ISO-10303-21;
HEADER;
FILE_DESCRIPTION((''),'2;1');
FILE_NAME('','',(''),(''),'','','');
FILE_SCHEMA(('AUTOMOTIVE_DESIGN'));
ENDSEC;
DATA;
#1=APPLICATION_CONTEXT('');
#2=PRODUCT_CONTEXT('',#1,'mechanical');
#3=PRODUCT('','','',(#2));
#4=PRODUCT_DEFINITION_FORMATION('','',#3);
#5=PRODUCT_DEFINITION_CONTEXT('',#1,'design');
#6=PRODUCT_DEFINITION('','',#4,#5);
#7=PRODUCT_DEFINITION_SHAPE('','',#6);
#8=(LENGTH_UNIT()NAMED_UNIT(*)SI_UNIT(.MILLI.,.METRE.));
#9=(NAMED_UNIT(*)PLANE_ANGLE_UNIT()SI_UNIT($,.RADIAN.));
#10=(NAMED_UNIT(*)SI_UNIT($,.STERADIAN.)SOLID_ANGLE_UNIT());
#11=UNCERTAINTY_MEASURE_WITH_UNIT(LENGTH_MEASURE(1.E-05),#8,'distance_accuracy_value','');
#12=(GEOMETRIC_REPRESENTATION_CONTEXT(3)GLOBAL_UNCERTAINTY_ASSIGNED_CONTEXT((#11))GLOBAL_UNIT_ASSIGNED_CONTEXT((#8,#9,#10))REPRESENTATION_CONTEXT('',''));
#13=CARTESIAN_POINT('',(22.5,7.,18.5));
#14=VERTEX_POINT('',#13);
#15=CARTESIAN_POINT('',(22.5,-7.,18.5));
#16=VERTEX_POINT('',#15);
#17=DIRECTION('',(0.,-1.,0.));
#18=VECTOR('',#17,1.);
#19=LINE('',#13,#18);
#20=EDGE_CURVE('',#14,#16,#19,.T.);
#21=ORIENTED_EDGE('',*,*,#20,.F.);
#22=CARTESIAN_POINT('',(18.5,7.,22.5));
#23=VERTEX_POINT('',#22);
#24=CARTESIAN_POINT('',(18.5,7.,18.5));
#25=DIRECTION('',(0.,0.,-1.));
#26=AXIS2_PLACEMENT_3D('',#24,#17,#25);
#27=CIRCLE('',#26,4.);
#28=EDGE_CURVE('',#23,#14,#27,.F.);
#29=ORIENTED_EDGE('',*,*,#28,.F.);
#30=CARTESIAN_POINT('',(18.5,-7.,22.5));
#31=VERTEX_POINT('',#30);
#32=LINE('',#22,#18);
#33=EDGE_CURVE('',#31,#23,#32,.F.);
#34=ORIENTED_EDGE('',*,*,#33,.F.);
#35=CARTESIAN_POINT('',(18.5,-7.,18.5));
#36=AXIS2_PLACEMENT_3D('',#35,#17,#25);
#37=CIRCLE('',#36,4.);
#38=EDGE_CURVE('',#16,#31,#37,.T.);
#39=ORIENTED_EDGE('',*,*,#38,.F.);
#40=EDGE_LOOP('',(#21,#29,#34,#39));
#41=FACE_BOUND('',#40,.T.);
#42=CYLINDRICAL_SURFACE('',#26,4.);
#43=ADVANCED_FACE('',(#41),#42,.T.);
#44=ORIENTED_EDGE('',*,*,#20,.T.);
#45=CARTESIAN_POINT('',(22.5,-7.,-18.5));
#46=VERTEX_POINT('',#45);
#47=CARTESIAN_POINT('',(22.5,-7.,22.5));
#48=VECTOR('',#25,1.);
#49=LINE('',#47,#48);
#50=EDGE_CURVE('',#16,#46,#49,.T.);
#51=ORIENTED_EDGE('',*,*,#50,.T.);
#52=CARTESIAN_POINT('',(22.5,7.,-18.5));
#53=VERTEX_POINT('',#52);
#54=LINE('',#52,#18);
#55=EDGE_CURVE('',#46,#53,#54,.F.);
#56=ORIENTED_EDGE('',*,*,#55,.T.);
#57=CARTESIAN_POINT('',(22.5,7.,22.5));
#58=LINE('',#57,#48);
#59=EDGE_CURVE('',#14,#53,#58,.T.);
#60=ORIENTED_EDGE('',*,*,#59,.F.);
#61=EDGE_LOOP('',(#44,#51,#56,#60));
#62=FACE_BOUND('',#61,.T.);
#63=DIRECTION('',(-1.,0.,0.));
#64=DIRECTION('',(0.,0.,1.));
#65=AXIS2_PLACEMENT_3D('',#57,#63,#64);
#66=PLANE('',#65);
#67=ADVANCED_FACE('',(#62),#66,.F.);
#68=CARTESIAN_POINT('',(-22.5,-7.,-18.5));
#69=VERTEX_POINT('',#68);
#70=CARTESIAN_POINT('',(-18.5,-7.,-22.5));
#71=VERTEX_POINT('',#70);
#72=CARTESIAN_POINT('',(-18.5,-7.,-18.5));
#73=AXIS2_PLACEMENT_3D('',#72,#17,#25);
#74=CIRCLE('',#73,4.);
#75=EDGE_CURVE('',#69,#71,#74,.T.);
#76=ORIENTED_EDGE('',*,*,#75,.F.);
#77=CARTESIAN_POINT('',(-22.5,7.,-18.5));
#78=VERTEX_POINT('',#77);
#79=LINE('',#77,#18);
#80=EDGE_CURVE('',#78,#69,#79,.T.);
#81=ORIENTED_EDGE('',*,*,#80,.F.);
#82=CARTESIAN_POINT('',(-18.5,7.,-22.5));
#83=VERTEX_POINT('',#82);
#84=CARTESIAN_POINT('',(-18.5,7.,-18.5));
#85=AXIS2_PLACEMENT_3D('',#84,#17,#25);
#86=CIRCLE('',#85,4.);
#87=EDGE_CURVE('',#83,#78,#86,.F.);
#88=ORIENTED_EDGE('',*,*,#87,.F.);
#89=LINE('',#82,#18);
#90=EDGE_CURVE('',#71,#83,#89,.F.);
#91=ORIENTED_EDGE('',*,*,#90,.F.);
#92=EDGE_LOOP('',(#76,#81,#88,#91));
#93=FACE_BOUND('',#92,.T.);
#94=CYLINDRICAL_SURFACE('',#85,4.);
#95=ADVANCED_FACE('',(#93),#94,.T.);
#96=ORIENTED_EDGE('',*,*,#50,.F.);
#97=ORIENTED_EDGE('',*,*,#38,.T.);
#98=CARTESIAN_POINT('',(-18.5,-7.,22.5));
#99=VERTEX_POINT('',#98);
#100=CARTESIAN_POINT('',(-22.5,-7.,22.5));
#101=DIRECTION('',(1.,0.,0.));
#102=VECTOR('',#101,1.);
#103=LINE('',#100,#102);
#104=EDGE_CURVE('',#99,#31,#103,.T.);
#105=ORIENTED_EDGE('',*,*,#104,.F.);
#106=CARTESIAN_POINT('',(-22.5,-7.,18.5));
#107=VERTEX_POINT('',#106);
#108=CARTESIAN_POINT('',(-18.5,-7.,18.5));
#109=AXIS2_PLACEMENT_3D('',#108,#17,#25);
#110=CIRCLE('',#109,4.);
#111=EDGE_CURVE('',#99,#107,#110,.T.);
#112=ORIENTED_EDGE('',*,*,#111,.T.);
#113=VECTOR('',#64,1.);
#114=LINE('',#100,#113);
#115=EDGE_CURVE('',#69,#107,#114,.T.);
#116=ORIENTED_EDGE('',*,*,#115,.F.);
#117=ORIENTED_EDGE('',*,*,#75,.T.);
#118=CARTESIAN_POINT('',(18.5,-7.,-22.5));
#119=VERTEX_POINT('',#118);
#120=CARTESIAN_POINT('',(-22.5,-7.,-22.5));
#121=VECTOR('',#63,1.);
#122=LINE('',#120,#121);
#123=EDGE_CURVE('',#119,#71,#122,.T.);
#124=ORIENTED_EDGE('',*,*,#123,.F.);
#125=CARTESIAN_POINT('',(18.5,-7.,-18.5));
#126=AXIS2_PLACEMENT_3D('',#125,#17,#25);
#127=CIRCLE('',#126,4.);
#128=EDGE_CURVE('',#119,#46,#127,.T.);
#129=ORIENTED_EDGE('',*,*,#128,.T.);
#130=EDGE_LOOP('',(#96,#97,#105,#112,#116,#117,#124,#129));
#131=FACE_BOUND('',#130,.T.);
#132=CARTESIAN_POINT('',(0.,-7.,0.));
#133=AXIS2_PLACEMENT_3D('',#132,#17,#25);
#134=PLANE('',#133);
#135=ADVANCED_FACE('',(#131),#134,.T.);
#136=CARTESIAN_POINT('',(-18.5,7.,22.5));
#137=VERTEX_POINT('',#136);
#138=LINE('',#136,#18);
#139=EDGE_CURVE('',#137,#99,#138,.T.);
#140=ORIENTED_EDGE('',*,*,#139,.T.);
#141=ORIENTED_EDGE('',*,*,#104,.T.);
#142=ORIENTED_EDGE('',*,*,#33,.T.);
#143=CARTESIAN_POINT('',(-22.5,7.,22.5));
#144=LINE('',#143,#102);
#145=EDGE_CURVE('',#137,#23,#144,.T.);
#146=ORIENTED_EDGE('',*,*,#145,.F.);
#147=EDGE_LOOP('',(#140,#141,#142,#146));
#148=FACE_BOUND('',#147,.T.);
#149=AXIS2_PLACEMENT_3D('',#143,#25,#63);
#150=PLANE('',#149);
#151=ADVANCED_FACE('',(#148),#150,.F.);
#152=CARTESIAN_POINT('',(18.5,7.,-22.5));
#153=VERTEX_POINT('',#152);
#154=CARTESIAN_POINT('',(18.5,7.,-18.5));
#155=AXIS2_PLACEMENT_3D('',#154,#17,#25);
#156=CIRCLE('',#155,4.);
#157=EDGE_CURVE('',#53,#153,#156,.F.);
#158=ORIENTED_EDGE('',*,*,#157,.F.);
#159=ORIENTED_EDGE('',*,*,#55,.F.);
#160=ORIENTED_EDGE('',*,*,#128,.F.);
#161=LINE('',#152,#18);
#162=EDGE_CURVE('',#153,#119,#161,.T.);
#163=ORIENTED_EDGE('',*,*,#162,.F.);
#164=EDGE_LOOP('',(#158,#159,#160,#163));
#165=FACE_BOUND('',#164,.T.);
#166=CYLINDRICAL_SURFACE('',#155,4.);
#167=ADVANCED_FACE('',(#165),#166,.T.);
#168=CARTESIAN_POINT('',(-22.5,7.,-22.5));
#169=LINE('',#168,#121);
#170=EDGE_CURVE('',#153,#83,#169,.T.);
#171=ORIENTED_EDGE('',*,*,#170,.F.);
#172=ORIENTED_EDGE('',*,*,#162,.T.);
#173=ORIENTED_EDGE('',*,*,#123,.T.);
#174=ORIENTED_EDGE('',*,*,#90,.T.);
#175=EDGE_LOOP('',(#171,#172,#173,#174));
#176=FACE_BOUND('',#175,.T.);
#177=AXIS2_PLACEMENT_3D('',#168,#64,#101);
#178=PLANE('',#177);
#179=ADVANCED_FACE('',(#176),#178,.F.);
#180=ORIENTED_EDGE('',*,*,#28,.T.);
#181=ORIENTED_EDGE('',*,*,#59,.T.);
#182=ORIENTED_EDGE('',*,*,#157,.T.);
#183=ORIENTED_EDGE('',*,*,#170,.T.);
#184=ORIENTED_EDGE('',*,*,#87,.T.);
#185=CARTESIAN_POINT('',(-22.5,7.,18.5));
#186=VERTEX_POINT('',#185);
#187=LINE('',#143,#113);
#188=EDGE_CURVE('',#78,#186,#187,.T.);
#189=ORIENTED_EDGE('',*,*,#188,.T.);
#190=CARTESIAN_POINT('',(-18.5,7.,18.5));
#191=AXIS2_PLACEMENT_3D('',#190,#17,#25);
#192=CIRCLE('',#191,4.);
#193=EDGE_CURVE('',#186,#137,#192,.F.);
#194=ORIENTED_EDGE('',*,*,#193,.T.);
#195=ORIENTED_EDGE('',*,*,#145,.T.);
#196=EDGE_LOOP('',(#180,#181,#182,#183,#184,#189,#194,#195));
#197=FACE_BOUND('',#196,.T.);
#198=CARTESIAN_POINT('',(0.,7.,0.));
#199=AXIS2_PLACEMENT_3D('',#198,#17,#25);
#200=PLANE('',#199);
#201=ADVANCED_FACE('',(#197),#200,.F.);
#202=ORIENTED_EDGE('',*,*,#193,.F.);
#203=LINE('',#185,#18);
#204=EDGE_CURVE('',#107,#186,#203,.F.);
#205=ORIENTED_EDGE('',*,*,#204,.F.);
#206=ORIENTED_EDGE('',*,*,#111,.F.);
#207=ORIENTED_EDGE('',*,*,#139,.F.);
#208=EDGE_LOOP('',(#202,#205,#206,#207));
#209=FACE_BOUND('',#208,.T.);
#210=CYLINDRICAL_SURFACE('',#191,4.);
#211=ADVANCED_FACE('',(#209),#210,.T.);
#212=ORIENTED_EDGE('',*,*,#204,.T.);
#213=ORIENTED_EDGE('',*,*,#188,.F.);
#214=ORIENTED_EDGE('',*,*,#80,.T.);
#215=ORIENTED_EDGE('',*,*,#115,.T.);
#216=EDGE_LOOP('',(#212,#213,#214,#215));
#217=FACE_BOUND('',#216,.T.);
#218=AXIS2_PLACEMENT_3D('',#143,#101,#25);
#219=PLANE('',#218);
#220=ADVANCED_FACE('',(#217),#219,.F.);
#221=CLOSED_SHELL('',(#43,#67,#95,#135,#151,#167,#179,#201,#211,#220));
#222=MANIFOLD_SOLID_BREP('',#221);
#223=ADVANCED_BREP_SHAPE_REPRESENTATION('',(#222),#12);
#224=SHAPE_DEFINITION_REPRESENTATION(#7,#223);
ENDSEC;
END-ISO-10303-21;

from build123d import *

# Parameters (mm, degrees)
SKETCH1_W           = 45
SKETCH1_H           = 45
BOSS_EXTRUDE1_DEPTH = 7
FILLET1_R           = 4


with BuildPart() as part:
    # Sketch1 → Boss-Extrude1 (new, symmetric)
    with BuildSketch(Plane(origin=(0, 0, 0), x_dir=(1, 0, 0), z_dir=(0, 1, 0))):
        Rectangle(SKETCH1_W, SKETCH1_H)
    extrude(amount=BOSS_EXTRUDE1_DEPTH, both=True)

    # Fillet1
    fillet1_edges = [part.edges().sort_by_distance(p)[0] for p in [
        (22.5, 0, 22.5),
        (-22.5, 0, 22.5),
        (-22.5, 0, -22.5),
        (22.5, 0, -22.5),
    ]]
    fillet(fillet1_edges, radius=FILLET1_R)


solid = part.part
